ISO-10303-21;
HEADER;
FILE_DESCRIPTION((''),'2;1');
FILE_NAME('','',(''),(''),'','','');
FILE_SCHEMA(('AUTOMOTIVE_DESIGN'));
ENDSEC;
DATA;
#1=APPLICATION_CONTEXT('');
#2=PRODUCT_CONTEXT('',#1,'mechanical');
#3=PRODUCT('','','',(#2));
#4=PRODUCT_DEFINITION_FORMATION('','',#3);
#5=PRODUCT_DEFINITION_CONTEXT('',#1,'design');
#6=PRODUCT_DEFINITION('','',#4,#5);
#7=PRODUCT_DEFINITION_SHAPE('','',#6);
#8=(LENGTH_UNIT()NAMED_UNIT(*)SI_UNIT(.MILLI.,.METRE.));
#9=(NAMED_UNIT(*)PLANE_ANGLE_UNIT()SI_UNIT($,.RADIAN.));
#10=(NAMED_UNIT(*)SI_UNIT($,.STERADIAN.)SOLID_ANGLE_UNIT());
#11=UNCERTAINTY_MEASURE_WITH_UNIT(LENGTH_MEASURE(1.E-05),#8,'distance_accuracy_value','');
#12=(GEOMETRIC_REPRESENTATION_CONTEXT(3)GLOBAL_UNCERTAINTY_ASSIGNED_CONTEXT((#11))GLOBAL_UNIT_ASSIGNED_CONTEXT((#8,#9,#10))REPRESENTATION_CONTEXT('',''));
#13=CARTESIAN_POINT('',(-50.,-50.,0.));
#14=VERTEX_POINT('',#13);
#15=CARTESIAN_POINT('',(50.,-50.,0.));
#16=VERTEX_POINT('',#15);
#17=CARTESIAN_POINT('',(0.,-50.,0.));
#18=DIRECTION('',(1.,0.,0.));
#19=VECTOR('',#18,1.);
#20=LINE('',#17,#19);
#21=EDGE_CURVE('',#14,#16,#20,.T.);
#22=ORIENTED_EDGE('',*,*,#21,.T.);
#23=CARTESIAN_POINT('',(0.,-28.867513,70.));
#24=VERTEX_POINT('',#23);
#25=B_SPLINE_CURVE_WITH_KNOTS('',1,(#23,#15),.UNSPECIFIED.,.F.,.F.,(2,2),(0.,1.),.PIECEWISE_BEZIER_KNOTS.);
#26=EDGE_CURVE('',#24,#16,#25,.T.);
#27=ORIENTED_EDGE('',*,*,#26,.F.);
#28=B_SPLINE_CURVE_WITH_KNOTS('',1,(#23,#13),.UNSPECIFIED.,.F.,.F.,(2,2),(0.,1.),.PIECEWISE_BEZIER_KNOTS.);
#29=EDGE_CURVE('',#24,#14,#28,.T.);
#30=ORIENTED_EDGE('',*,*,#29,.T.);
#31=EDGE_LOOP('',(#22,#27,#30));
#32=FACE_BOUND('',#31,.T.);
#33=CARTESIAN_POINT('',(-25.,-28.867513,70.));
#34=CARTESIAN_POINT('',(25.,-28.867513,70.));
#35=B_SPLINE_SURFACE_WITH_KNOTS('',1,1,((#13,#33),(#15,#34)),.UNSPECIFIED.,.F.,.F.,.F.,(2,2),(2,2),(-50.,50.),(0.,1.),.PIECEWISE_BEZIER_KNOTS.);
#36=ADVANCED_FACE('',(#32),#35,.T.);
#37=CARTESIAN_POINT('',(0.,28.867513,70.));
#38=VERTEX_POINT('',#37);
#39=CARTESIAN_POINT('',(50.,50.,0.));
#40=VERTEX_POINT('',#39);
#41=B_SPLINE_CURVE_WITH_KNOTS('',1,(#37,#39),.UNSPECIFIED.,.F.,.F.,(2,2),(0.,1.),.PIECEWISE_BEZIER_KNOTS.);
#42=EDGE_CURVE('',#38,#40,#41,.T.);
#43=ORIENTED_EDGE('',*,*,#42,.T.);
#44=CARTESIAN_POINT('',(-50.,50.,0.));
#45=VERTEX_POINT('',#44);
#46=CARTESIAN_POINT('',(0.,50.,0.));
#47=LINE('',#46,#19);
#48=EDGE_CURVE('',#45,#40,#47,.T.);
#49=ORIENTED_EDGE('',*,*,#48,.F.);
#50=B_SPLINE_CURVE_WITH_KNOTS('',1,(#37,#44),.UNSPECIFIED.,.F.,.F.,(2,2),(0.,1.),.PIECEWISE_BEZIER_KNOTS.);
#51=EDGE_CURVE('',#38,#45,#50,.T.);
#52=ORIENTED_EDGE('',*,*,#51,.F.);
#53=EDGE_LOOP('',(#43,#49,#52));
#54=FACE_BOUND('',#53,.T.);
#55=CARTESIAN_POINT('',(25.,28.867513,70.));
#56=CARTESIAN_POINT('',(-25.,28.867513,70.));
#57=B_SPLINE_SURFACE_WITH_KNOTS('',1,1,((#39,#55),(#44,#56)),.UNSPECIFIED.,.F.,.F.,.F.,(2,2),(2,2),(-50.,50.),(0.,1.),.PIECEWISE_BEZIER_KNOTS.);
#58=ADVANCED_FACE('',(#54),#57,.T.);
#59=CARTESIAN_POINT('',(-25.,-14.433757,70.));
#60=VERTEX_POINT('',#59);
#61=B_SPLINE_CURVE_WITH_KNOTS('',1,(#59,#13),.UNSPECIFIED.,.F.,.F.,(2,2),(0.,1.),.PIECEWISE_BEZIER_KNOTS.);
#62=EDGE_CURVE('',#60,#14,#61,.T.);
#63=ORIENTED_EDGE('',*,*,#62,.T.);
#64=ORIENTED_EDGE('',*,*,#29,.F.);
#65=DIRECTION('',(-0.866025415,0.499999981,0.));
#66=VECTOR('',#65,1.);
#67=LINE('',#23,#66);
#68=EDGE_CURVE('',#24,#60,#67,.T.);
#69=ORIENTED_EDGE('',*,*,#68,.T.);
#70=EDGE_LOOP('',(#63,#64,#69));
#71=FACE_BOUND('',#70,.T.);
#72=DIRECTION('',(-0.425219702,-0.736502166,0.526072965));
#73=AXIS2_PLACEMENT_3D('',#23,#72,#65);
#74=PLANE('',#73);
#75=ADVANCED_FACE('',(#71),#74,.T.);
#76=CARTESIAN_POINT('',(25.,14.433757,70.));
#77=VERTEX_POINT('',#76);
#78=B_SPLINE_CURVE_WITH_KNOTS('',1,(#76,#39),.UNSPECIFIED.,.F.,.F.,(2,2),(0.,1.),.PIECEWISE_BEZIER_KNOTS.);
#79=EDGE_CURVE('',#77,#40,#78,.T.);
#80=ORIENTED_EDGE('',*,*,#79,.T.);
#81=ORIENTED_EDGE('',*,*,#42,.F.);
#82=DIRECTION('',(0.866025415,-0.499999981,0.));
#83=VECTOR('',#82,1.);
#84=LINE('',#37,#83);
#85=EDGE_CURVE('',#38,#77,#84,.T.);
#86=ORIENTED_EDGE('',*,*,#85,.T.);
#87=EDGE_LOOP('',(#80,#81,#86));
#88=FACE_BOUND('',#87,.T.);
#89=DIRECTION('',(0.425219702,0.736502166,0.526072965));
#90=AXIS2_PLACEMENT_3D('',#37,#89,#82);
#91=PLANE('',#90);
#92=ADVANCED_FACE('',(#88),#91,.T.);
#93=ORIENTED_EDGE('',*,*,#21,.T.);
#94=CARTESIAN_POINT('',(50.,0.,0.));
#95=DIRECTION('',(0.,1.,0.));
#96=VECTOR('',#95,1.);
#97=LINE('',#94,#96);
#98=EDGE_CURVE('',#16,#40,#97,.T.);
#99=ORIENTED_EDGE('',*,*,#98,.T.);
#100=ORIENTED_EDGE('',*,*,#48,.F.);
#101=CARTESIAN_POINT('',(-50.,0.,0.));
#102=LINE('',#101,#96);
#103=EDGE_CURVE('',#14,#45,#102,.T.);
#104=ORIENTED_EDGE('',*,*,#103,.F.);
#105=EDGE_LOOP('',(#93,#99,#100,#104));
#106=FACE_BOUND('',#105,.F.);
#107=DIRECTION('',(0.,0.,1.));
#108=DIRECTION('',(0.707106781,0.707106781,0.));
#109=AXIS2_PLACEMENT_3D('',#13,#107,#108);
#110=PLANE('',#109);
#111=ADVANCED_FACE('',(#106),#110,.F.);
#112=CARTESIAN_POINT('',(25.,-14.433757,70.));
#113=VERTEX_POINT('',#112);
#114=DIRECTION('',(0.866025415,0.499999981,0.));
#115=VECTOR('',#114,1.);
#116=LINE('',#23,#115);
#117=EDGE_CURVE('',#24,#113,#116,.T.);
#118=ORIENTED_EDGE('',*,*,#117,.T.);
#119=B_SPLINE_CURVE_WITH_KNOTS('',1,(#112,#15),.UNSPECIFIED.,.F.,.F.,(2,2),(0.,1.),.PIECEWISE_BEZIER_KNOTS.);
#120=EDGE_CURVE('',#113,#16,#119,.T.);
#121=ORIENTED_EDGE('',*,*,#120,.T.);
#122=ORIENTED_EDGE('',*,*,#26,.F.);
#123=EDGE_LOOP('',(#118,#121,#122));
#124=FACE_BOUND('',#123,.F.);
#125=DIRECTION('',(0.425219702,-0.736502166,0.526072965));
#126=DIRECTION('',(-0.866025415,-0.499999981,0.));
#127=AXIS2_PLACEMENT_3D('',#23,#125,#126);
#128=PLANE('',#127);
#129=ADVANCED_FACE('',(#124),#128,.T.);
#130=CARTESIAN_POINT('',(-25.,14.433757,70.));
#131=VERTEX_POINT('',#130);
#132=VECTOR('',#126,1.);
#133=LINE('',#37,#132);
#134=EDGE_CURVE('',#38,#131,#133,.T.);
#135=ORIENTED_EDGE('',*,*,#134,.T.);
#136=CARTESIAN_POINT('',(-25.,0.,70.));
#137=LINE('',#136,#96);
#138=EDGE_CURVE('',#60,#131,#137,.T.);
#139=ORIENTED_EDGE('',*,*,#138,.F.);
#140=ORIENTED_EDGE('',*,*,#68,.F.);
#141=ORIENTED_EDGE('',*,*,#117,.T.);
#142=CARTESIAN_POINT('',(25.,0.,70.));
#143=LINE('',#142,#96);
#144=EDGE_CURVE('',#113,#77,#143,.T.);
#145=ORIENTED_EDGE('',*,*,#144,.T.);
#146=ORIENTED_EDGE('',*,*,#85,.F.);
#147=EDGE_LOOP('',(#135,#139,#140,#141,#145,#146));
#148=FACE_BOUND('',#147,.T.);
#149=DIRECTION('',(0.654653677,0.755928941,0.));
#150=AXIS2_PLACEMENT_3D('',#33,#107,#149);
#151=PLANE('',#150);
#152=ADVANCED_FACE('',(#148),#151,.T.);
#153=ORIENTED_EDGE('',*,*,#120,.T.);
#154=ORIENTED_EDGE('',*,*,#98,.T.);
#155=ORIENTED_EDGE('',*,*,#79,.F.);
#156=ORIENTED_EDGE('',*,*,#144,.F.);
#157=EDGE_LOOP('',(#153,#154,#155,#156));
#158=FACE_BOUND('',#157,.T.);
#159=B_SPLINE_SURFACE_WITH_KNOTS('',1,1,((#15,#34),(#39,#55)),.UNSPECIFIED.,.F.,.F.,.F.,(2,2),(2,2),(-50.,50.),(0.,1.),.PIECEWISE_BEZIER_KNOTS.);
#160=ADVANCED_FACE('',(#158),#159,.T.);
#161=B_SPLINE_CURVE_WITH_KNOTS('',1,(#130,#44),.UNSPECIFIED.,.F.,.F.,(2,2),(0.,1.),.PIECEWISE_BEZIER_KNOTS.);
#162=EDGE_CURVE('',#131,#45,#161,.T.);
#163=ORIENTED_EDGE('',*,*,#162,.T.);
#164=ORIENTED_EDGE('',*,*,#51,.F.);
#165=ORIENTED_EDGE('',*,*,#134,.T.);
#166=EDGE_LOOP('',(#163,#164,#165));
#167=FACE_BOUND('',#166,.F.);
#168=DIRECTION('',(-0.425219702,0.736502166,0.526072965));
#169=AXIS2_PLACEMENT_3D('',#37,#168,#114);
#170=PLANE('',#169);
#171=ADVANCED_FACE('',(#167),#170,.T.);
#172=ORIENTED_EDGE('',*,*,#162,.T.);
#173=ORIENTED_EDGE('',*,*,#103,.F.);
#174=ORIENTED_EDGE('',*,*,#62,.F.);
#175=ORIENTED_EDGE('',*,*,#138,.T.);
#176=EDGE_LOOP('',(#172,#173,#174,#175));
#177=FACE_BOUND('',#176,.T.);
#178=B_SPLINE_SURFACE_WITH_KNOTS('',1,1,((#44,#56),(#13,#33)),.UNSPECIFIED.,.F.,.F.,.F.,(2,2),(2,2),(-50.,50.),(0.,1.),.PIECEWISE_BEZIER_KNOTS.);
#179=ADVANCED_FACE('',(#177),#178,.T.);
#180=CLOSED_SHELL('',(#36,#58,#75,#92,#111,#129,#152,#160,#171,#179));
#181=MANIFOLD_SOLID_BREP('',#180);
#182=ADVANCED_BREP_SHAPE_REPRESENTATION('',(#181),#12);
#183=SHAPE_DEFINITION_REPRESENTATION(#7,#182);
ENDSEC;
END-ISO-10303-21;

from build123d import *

# Parameters (mm, degrees)
F0_W = 100
F0_H = 100
F6_W = 50
F6_H = 57.735026


with BuildPart() as f3:
    # F2 (on offset) → F3 section 0
    with BuildSketch(Plane.XY.offset(70), mode=Mode.PRIVATE) as f3_s0:
        Polygon((-25, -28.867513), (0, -28.867513), (-25, -14.433757), align=None)
    loft([f3_s0.sketch, Vertex(-50, -50, 0)])


with BuildPart() as f4_1:
    # F4: instance of F3
    add(f3.part.mirror(Plane.XZ))


with BuildPart() as f5_1:
    # F5: instance of F4_1
    add(f4_1.part.mirror(Plane.YZ))


with BuildPart() as f5_2:
    # F5: instance of F3
    add(f3.part.mirror(Plane.YZ))


with BuildPart() as f7:
    # F0 (on Top) → F7 section 0
    with BuildSketch(Plane.XY):
        Rectangle(F0_W, F0_H)
    # F6 (on offset) → F7 section 1
    with BuildSketch(Plane.XY.offset(70)):
        Rectangle(F6_W, F6_H)
    loft()

    # F8: cut F3, F4_1, F5_2, F5_1
    add(f3.part, mode=Mode.SUBTRACT)
    add(f4_1.part, mode=Mode.SUBTRACT)
    add(f5_2.part, mode=Mode.SUBTRACT)
    add(f5_1.part, mode=Mode.SUBTRACT)


solid = f7.part
